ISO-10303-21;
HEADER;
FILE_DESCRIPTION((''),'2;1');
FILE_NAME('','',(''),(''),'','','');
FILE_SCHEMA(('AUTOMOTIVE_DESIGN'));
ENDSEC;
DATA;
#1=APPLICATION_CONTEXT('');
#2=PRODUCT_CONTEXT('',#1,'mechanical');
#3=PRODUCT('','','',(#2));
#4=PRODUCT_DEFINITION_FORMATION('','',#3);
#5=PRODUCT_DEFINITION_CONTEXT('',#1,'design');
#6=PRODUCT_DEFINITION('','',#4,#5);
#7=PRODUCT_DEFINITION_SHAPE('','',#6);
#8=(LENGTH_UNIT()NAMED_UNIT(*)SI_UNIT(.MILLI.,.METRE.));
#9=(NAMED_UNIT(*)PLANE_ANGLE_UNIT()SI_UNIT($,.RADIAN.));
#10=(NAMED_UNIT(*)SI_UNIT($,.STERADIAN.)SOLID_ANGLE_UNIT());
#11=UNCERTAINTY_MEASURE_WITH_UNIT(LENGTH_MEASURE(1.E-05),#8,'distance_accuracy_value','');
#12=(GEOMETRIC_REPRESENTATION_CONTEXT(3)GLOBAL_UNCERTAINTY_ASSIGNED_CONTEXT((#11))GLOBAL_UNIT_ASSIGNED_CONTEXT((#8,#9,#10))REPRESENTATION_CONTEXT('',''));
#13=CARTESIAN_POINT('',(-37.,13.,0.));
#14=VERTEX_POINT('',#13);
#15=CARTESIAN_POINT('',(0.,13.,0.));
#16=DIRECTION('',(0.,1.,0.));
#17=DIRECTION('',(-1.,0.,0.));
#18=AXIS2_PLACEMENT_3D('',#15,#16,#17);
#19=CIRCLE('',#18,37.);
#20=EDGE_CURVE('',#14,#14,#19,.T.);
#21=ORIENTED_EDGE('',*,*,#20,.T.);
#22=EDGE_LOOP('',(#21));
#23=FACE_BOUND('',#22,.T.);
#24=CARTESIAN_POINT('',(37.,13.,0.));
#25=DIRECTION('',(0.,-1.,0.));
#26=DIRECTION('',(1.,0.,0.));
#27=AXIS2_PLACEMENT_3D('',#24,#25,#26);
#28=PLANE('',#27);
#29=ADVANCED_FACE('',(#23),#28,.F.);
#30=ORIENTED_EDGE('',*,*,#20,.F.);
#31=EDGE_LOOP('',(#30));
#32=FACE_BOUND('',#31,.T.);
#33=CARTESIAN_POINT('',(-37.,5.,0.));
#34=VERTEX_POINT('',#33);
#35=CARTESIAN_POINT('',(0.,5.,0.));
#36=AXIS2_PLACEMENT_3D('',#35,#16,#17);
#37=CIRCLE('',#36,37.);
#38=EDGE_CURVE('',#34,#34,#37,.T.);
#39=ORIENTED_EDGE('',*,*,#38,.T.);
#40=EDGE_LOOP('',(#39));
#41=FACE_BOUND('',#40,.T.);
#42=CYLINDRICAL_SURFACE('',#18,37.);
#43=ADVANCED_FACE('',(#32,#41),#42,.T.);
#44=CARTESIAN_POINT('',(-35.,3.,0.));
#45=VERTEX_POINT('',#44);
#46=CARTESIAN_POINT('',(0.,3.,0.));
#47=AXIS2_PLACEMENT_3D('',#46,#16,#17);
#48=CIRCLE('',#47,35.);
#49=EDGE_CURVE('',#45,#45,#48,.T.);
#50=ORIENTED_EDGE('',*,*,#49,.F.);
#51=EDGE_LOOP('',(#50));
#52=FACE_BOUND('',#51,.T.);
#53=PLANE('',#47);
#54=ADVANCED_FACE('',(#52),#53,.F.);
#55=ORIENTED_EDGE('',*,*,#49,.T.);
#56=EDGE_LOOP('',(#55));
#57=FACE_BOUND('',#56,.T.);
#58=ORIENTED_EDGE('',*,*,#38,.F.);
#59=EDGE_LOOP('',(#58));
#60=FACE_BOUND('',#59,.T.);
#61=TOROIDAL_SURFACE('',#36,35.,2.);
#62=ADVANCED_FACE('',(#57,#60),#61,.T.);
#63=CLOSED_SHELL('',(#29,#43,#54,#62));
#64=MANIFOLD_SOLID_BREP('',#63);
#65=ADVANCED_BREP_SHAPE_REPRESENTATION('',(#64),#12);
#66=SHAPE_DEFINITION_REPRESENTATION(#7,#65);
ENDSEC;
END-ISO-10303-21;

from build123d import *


with BuildPart() as part:
    # Esquisse1 → Révolution1 (revolve)
    with BuildSketch(Plane.XY):
        with BuildLine():
            Line((0, 3), (35, 3))
            ThreePointArc((35, 3), (36.414213562, 3.585786438), (37, 5))
            Line((37, 5), (37, 13))
            Line((37, 13), (0, 13))
            Line((0, 13), (0, 3))
        make_face()
    revolve(axis=Axis((0, 13, 0), (0, -1, 0)))


solid = part.part
